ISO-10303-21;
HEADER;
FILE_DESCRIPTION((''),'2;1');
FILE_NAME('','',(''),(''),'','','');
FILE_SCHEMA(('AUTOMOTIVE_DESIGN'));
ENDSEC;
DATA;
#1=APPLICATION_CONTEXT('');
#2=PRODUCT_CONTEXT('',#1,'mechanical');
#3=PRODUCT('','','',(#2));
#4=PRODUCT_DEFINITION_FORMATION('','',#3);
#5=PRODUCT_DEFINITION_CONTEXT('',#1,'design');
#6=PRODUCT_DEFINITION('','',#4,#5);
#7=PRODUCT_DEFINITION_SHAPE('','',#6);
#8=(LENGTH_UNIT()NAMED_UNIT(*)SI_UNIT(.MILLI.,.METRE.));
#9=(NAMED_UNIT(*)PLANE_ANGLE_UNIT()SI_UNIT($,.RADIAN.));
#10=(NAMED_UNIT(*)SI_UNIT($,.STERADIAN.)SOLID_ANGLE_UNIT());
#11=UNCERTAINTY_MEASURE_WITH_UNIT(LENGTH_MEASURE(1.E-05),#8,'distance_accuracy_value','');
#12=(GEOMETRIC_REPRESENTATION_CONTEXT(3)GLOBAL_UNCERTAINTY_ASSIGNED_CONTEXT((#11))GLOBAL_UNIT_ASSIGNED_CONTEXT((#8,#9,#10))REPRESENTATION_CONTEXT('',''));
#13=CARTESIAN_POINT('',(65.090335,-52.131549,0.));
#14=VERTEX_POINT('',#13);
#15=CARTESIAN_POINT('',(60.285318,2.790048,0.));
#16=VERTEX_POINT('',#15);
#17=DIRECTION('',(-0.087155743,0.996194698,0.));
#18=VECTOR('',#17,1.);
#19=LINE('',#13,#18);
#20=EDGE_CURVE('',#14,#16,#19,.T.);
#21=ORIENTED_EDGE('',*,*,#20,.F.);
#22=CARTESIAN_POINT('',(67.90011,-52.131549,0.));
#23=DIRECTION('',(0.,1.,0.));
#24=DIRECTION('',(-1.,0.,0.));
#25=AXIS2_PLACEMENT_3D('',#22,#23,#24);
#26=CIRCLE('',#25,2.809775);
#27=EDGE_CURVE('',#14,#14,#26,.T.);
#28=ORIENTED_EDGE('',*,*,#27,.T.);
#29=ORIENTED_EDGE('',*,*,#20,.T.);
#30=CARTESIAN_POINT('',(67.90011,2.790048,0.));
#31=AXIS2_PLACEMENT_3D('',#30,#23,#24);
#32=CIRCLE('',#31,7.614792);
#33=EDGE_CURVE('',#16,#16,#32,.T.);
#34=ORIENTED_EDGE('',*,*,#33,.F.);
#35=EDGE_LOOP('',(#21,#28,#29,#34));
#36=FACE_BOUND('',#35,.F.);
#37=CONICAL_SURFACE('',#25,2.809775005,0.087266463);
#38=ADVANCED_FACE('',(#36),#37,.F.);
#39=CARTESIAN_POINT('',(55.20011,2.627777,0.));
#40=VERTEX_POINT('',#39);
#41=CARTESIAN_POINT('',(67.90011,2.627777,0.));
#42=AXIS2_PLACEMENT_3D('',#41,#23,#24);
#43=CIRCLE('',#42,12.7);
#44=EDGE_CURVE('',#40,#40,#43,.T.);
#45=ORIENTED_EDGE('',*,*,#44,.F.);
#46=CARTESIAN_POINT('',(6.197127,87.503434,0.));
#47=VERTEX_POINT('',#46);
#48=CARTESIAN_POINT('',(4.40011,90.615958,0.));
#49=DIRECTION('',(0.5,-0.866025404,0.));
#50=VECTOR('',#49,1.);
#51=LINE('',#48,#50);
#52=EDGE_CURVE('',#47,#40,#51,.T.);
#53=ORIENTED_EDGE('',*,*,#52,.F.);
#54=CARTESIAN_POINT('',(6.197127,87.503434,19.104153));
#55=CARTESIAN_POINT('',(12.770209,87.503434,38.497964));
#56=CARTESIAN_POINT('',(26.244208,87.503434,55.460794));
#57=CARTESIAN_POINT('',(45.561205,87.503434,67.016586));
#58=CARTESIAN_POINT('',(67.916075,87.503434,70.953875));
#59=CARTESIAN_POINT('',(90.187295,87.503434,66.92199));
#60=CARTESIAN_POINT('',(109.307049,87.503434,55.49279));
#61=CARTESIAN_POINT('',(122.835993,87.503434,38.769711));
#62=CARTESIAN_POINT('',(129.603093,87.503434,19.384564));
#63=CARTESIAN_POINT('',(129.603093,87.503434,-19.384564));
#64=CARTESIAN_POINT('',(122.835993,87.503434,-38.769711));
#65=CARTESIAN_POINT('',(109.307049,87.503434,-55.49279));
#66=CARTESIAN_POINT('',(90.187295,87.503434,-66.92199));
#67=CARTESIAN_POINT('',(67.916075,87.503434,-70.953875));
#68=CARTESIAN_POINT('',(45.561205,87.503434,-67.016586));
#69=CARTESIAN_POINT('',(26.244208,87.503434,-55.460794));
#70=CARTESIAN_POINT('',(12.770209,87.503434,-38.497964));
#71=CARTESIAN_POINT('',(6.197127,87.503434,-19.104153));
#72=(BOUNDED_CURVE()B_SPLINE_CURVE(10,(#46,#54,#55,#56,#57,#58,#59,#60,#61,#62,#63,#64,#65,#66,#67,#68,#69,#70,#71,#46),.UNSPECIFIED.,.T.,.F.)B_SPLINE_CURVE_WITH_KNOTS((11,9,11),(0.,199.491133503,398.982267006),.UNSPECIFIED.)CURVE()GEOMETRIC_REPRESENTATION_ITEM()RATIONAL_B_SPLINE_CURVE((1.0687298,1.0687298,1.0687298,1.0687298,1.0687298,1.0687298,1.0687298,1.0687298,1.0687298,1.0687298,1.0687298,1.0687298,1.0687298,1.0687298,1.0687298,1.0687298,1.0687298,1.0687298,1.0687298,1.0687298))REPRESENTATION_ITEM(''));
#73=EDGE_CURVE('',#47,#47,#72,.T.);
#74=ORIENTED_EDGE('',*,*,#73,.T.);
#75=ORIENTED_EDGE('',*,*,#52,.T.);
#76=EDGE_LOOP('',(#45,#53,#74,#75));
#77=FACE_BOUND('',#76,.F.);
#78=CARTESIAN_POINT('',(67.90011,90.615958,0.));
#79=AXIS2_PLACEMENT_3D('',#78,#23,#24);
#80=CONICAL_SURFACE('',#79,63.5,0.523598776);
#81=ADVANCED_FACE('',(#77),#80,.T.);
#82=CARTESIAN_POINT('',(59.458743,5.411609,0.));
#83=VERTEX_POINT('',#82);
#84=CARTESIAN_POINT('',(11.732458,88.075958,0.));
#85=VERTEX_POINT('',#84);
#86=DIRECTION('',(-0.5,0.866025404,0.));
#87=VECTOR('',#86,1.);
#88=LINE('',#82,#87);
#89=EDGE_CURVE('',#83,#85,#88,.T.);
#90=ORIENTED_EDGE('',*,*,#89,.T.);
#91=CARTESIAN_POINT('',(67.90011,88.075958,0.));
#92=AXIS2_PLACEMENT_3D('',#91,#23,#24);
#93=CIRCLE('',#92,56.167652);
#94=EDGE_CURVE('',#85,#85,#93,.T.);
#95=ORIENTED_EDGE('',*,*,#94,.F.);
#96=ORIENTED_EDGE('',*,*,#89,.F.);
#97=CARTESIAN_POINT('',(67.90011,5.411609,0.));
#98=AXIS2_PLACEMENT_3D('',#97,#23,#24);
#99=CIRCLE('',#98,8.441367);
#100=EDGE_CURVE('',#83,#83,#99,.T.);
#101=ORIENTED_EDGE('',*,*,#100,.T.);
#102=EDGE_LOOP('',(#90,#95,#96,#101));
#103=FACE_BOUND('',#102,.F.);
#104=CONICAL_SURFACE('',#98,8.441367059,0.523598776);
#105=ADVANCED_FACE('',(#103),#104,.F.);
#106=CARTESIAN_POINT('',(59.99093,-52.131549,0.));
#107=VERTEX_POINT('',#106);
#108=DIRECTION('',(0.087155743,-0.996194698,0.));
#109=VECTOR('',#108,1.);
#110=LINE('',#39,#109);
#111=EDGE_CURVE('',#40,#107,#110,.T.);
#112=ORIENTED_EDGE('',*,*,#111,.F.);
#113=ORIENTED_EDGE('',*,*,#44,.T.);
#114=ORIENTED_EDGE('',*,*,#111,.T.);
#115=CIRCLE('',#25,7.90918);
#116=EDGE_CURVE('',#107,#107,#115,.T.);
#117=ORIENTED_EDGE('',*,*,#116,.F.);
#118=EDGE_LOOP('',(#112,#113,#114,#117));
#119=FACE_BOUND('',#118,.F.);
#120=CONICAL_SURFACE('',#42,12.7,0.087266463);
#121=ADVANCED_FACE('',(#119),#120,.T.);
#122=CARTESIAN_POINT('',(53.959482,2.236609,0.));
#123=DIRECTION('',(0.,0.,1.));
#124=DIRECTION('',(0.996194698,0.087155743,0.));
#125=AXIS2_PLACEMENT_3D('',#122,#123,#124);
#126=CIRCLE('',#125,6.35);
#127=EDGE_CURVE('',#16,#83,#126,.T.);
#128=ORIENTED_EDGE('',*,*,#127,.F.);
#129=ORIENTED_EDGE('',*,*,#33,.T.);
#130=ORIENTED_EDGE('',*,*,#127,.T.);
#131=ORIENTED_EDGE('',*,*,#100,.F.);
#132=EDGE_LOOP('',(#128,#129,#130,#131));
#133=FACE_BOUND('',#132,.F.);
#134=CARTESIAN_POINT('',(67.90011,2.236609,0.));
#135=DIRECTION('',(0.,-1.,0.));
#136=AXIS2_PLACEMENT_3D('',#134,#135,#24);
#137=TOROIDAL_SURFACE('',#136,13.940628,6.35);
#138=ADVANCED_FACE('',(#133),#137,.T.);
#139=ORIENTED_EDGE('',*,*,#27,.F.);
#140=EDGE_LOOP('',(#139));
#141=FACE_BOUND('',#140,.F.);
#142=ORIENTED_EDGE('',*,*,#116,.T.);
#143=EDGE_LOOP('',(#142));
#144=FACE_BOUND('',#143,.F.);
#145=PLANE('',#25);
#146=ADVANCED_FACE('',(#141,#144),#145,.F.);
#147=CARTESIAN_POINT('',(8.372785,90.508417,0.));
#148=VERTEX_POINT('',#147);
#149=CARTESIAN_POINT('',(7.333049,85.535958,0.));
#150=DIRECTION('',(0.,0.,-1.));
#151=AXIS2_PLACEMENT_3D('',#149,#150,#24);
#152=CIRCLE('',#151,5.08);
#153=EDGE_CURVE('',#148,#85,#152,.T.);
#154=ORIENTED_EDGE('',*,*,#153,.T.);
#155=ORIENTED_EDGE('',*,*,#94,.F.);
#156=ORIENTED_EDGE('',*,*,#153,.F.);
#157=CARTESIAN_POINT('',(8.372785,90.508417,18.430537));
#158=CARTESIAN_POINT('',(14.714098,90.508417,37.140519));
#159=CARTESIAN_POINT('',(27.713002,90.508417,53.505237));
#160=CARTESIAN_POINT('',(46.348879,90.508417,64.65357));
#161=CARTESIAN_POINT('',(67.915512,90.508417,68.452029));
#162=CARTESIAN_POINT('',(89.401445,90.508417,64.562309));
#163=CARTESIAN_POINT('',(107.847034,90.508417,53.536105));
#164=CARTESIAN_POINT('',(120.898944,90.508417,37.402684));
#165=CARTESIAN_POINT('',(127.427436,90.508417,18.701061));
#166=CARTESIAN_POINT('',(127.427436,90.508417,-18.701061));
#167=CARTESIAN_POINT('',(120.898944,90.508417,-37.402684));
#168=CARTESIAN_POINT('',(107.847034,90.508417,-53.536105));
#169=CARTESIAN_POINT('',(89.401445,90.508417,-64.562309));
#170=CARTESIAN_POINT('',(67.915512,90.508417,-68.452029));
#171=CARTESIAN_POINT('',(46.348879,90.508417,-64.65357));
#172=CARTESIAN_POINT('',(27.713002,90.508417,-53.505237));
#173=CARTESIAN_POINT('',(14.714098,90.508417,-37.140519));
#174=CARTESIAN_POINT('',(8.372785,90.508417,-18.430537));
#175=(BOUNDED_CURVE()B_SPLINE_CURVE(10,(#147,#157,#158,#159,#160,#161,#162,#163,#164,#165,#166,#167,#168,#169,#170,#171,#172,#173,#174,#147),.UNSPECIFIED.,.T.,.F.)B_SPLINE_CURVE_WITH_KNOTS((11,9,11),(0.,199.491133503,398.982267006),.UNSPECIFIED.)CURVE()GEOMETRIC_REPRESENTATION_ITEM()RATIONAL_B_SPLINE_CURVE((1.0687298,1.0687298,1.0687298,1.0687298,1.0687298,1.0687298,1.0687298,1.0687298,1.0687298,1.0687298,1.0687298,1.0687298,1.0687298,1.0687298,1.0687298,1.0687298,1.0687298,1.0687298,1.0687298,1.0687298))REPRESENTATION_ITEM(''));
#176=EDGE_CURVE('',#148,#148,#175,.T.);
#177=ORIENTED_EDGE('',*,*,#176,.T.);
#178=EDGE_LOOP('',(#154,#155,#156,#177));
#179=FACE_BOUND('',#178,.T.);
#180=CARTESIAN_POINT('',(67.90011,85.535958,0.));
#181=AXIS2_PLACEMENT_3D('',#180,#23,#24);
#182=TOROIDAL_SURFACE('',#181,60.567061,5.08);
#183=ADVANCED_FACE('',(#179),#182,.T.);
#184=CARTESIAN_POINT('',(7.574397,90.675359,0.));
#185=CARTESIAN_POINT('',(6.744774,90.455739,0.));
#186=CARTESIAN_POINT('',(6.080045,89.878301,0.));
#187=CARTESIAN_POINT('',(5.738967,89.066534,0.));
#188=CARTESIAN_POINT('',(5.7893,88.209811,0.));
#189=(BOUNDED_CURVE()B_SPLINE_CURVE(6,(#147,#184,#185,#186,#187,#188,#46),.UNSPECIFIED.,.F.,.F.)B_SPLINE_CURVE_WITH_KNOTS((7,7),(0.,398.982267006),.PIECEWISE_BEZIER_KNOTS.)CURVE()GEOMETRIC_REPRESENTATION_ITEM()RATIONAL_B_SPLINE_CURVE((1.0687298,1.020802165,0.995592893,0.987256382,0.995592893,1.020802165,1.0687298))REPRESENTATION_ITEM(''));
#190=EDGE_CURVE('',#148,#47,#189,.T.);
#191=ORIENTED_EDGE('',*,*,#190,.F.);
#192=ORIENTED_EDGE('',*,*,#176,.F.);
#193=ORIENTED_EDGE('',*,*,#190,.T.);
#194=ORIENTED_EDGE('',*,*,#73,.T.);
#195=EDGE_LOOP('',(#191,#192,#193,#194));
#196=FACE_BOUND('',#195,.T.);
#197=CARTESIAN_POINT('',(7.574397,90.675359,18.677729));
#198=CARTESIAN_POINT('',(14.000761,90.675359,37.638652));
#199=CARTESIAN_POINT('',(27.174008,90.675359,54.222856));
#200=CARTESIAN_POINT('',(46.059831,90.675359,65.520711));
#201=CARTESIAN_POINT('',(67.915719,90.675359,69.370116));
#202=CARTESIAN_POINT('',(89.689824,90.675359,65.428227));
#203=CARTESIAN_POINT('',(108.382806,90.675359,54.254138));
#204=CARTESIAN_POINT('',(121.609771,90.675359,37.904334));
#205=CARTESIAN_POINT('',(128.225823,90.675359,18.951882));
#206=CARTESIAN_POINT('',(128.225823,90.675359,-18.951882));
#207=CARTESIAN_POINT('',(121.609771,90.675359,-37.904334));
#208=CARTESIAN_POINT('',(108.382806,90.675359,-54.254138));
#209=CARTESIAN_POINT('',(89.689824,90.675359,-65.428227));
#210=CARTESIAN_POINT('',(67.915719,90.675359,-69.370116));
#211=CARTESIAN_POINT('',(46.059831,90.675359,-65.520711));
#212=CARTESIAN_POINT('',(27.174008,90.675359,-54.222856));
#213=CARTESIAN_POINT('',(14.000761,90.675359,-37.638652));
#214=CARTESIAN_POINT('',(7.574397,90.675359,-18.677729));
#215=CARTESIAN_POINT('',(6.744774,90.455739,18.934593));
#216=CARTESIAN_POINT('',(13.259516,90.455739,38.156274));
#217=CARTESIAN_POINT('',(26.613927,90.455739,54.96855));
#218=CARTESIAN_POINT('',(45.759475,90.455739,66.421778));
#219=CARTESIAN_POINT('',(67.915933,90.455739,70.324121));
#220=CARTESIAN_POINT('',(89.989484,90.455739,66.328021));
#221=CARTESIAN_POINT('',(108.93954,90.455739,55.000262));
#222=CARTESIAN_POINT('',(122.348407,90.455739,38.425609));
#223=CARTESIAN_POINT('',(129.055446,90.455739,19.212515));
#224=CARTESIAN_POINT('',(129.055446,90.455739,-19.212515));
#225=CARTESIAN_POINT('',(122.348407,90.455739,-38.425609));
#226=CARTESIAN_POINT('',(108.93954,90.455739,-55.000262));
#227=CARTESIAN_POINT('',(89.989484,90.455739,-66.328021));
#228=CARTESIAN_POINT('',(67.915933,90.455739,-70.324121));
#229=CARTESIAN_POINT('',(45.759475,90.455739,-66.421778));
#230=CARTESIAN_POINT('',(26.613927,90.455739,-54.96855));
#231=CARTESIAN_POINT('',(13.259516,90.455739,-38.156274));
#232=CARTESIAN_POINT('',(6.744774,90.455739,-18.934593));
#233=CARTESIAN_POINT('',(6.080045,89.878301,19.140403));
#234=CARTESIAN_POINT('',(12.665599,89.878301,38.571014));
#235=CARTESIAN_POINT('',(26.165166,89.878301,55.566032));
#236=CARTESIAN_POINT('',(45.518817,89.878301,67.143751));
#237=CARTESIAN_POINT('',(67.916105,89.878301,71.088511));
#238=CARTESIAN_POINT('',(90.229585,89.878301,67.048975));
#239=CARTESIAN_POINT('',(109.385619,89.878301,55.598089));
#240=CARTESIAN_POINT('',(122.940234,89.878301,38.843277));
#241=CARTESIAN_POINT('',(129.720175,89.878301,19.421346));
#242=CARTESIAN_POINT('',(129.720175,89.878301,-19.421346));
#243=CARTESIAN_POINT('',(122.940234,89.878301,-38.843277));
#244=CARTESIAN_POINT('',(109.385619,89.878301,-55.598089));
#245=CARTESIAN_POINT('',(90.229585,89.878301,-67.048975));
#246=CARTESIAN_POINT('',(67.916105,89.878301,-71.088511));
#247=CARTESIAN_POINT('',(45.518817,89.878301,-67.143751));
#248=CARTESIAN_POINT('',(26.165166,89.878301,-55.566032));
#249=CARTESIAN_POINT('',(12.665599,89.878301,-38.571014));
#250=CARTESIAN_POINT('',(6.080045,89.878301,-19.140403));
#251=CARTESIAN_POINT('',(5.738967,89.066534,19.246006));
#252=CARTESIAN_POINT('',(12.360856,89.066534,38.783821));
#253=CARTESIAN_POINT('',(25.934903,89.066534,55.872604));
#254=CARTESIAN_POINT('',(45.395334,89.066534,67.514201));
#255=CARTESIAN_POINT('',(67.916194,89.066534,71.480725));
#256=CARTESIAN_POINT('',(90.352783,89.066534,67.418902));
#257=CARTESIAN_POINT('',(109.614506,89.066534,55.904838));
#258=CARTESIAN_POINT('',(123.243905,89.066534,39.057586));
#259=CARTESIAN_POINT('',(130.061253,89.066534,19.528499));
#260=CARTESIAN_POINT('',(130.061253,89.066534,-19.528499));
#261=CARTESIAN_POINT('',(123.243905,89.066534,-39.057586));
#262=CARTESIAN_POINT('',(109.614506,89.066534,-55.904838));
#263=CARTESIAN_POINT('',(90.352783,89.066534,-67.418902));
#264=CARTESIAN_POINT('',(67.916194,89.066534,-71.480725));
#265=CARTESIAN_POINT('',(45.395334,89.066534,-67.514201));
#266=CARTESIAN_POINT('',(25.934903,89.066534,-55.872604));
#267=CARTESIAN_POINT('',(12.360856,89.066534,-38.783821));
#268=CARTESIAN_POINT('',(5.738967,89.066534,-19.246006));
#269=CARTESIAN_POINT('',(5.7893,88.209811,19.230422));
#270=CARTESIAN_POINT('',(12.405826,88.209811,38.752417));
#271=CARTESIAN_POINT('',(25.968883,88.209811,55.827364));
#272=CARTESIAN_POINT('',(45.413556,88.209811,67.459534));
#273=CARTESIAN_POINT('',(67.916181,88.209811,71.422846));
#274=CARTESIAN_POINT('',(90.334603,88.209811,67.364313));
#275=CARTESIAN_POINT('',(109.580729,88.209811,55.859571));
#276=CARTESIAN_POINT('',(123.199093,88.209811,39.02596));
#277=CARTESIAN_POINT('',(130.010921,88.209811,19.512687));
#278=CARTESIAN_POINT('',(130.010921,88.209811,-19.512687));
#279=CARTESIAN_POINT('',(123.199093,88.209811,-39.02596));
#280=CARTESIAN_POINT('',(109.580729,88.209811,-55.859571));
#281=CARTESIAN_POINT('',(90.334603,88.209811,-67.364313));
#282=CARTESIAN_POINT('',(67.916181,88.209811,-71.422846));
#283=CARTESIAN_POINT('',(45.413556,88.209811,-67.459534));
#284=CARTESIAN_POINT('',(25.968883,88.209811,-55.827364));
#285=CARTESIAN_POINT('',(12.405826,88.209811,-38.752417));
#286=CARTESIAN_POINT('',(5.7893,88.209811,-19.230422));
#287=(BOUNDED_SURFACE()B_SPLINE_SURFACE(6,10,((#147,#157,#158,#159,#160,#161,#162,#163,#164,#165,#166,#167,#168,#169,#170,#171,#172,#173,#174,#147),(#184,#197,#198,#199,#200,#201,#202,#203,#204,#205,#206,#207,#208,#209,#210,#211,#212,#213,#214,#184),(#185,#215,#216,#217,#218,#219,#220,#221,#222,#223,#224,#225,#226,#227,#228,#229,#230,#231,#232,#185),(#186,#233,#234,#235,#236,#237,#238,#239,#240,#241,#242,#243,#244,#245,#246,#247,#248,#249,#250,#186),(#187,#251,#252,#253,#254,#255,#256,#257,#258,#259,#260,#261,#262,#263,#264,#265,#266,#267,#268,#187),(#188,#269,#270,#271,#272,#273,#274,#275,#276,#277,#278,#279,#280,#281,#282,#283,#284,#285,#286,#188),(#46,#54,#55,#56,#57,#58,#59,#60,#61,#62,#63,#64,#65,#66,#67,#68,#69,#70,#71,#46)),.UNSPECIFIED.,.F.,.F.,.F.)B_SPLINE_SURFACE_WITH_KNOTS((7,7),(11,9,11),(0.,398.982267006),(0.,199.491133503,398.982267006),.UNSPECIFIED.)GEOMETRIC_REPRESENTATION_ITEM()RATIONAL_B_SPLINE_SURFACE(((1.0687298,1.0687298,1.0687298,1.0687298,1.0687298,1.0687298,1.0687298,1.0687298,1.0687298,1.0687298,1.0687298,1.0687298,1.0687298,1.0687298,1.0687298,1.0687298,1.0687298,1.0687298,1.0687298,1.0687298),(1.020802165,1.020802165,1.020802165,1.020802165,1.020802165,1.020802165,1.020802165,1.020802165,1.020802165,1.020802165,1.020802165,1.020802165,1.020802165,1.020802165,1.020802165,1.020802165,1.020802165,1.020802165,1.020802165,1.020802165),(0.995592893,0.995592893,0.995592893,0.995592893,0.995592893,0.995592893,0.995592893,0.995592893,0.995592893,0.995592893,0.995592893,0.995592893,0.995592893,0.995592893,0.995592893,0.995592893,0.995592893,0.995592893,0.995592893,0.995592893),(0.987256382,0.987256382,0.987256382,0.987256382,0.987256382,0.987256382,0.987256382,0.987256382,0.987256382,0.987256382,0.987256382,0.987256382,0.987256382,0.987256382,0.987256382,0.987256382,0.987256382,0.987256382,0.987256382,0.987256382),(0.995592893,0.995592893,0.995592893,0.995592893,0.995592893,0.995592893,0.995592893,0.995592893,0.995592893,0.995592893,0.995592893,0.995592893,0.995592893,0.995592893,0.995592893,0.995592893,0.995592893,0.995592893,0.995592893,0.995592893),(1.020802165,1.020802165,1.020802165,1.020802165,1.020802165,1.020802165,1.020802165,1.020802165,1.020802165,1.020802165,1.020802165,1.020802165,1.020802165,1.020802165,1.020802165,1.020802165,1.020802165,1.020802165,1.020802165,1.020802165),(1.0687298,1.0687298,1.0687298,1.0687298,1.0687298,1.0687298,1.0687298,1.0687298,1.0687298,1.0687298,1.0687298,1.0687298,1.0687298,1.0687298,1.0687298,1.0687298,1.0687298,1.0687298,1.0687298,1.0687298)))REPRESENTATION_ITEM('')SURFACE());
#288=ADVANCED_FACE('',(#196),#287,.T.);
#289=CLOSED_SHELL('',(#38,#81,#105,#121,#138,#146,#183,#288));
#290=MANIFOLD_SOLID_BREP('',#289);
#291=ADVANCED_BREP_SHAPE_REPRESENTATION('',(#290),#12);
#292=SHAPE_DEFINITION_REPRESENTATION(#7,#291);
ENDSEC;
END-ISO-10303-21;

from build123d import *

# Parameters (mm, degrees)
F2_R = 5.08
F3_R = 2.032


with BuildPart() as f1:
    # F0 (on Top) → F1 (revolve)
    with BuildSketch(Plane.XY):
        with BuildLine():
            Line((10.2659887711, 90.615958193), (4.4001100361, 90.615958193))
            Line((4.4001100361, 90.615958193), (55.2001100361, 2.6277771685))
            Line((55.2001100361, 2.6277771685), (59.9909302565, -52.1315485239))
            Line((59.9909302565, -52.1315485239), (65.0903350313, -52.1315485239))
            Line((65.0903350313, -52.1315485239), (60.2853179954, 2.7900475113))
            ThreePointArc((60.2853179954, 2.7900475113), (60.0155842998, 4.1460903717), (59.4587429766, 5.4116085449))
            Line((59.4587429766, 5.4116085449), (10.2659887711, 90.615958193))
        make_face()
    revolve(axis=Axis((67.9001100361, 35.5695039034, 0), (0, 1, 0)))

    # F2
    f2_edges = [f1.edges().sort_by_distance(p)[0] for p in [
        (76.341477, 5.411609, 0),
        (125.534231, 90.615958, 0),
        (34.862366, 48.013783, 0),
    ]]
    fillet(f2_edges, radius=F2_R)

    # F3
    f3_edges = [f1.edges().sort_by_distance(p)[0] for p in [
        (131.40011, 90.615958, 0),
    ]]
    fillet(f3_edges, radius=F3_R)


solid = f1.part
